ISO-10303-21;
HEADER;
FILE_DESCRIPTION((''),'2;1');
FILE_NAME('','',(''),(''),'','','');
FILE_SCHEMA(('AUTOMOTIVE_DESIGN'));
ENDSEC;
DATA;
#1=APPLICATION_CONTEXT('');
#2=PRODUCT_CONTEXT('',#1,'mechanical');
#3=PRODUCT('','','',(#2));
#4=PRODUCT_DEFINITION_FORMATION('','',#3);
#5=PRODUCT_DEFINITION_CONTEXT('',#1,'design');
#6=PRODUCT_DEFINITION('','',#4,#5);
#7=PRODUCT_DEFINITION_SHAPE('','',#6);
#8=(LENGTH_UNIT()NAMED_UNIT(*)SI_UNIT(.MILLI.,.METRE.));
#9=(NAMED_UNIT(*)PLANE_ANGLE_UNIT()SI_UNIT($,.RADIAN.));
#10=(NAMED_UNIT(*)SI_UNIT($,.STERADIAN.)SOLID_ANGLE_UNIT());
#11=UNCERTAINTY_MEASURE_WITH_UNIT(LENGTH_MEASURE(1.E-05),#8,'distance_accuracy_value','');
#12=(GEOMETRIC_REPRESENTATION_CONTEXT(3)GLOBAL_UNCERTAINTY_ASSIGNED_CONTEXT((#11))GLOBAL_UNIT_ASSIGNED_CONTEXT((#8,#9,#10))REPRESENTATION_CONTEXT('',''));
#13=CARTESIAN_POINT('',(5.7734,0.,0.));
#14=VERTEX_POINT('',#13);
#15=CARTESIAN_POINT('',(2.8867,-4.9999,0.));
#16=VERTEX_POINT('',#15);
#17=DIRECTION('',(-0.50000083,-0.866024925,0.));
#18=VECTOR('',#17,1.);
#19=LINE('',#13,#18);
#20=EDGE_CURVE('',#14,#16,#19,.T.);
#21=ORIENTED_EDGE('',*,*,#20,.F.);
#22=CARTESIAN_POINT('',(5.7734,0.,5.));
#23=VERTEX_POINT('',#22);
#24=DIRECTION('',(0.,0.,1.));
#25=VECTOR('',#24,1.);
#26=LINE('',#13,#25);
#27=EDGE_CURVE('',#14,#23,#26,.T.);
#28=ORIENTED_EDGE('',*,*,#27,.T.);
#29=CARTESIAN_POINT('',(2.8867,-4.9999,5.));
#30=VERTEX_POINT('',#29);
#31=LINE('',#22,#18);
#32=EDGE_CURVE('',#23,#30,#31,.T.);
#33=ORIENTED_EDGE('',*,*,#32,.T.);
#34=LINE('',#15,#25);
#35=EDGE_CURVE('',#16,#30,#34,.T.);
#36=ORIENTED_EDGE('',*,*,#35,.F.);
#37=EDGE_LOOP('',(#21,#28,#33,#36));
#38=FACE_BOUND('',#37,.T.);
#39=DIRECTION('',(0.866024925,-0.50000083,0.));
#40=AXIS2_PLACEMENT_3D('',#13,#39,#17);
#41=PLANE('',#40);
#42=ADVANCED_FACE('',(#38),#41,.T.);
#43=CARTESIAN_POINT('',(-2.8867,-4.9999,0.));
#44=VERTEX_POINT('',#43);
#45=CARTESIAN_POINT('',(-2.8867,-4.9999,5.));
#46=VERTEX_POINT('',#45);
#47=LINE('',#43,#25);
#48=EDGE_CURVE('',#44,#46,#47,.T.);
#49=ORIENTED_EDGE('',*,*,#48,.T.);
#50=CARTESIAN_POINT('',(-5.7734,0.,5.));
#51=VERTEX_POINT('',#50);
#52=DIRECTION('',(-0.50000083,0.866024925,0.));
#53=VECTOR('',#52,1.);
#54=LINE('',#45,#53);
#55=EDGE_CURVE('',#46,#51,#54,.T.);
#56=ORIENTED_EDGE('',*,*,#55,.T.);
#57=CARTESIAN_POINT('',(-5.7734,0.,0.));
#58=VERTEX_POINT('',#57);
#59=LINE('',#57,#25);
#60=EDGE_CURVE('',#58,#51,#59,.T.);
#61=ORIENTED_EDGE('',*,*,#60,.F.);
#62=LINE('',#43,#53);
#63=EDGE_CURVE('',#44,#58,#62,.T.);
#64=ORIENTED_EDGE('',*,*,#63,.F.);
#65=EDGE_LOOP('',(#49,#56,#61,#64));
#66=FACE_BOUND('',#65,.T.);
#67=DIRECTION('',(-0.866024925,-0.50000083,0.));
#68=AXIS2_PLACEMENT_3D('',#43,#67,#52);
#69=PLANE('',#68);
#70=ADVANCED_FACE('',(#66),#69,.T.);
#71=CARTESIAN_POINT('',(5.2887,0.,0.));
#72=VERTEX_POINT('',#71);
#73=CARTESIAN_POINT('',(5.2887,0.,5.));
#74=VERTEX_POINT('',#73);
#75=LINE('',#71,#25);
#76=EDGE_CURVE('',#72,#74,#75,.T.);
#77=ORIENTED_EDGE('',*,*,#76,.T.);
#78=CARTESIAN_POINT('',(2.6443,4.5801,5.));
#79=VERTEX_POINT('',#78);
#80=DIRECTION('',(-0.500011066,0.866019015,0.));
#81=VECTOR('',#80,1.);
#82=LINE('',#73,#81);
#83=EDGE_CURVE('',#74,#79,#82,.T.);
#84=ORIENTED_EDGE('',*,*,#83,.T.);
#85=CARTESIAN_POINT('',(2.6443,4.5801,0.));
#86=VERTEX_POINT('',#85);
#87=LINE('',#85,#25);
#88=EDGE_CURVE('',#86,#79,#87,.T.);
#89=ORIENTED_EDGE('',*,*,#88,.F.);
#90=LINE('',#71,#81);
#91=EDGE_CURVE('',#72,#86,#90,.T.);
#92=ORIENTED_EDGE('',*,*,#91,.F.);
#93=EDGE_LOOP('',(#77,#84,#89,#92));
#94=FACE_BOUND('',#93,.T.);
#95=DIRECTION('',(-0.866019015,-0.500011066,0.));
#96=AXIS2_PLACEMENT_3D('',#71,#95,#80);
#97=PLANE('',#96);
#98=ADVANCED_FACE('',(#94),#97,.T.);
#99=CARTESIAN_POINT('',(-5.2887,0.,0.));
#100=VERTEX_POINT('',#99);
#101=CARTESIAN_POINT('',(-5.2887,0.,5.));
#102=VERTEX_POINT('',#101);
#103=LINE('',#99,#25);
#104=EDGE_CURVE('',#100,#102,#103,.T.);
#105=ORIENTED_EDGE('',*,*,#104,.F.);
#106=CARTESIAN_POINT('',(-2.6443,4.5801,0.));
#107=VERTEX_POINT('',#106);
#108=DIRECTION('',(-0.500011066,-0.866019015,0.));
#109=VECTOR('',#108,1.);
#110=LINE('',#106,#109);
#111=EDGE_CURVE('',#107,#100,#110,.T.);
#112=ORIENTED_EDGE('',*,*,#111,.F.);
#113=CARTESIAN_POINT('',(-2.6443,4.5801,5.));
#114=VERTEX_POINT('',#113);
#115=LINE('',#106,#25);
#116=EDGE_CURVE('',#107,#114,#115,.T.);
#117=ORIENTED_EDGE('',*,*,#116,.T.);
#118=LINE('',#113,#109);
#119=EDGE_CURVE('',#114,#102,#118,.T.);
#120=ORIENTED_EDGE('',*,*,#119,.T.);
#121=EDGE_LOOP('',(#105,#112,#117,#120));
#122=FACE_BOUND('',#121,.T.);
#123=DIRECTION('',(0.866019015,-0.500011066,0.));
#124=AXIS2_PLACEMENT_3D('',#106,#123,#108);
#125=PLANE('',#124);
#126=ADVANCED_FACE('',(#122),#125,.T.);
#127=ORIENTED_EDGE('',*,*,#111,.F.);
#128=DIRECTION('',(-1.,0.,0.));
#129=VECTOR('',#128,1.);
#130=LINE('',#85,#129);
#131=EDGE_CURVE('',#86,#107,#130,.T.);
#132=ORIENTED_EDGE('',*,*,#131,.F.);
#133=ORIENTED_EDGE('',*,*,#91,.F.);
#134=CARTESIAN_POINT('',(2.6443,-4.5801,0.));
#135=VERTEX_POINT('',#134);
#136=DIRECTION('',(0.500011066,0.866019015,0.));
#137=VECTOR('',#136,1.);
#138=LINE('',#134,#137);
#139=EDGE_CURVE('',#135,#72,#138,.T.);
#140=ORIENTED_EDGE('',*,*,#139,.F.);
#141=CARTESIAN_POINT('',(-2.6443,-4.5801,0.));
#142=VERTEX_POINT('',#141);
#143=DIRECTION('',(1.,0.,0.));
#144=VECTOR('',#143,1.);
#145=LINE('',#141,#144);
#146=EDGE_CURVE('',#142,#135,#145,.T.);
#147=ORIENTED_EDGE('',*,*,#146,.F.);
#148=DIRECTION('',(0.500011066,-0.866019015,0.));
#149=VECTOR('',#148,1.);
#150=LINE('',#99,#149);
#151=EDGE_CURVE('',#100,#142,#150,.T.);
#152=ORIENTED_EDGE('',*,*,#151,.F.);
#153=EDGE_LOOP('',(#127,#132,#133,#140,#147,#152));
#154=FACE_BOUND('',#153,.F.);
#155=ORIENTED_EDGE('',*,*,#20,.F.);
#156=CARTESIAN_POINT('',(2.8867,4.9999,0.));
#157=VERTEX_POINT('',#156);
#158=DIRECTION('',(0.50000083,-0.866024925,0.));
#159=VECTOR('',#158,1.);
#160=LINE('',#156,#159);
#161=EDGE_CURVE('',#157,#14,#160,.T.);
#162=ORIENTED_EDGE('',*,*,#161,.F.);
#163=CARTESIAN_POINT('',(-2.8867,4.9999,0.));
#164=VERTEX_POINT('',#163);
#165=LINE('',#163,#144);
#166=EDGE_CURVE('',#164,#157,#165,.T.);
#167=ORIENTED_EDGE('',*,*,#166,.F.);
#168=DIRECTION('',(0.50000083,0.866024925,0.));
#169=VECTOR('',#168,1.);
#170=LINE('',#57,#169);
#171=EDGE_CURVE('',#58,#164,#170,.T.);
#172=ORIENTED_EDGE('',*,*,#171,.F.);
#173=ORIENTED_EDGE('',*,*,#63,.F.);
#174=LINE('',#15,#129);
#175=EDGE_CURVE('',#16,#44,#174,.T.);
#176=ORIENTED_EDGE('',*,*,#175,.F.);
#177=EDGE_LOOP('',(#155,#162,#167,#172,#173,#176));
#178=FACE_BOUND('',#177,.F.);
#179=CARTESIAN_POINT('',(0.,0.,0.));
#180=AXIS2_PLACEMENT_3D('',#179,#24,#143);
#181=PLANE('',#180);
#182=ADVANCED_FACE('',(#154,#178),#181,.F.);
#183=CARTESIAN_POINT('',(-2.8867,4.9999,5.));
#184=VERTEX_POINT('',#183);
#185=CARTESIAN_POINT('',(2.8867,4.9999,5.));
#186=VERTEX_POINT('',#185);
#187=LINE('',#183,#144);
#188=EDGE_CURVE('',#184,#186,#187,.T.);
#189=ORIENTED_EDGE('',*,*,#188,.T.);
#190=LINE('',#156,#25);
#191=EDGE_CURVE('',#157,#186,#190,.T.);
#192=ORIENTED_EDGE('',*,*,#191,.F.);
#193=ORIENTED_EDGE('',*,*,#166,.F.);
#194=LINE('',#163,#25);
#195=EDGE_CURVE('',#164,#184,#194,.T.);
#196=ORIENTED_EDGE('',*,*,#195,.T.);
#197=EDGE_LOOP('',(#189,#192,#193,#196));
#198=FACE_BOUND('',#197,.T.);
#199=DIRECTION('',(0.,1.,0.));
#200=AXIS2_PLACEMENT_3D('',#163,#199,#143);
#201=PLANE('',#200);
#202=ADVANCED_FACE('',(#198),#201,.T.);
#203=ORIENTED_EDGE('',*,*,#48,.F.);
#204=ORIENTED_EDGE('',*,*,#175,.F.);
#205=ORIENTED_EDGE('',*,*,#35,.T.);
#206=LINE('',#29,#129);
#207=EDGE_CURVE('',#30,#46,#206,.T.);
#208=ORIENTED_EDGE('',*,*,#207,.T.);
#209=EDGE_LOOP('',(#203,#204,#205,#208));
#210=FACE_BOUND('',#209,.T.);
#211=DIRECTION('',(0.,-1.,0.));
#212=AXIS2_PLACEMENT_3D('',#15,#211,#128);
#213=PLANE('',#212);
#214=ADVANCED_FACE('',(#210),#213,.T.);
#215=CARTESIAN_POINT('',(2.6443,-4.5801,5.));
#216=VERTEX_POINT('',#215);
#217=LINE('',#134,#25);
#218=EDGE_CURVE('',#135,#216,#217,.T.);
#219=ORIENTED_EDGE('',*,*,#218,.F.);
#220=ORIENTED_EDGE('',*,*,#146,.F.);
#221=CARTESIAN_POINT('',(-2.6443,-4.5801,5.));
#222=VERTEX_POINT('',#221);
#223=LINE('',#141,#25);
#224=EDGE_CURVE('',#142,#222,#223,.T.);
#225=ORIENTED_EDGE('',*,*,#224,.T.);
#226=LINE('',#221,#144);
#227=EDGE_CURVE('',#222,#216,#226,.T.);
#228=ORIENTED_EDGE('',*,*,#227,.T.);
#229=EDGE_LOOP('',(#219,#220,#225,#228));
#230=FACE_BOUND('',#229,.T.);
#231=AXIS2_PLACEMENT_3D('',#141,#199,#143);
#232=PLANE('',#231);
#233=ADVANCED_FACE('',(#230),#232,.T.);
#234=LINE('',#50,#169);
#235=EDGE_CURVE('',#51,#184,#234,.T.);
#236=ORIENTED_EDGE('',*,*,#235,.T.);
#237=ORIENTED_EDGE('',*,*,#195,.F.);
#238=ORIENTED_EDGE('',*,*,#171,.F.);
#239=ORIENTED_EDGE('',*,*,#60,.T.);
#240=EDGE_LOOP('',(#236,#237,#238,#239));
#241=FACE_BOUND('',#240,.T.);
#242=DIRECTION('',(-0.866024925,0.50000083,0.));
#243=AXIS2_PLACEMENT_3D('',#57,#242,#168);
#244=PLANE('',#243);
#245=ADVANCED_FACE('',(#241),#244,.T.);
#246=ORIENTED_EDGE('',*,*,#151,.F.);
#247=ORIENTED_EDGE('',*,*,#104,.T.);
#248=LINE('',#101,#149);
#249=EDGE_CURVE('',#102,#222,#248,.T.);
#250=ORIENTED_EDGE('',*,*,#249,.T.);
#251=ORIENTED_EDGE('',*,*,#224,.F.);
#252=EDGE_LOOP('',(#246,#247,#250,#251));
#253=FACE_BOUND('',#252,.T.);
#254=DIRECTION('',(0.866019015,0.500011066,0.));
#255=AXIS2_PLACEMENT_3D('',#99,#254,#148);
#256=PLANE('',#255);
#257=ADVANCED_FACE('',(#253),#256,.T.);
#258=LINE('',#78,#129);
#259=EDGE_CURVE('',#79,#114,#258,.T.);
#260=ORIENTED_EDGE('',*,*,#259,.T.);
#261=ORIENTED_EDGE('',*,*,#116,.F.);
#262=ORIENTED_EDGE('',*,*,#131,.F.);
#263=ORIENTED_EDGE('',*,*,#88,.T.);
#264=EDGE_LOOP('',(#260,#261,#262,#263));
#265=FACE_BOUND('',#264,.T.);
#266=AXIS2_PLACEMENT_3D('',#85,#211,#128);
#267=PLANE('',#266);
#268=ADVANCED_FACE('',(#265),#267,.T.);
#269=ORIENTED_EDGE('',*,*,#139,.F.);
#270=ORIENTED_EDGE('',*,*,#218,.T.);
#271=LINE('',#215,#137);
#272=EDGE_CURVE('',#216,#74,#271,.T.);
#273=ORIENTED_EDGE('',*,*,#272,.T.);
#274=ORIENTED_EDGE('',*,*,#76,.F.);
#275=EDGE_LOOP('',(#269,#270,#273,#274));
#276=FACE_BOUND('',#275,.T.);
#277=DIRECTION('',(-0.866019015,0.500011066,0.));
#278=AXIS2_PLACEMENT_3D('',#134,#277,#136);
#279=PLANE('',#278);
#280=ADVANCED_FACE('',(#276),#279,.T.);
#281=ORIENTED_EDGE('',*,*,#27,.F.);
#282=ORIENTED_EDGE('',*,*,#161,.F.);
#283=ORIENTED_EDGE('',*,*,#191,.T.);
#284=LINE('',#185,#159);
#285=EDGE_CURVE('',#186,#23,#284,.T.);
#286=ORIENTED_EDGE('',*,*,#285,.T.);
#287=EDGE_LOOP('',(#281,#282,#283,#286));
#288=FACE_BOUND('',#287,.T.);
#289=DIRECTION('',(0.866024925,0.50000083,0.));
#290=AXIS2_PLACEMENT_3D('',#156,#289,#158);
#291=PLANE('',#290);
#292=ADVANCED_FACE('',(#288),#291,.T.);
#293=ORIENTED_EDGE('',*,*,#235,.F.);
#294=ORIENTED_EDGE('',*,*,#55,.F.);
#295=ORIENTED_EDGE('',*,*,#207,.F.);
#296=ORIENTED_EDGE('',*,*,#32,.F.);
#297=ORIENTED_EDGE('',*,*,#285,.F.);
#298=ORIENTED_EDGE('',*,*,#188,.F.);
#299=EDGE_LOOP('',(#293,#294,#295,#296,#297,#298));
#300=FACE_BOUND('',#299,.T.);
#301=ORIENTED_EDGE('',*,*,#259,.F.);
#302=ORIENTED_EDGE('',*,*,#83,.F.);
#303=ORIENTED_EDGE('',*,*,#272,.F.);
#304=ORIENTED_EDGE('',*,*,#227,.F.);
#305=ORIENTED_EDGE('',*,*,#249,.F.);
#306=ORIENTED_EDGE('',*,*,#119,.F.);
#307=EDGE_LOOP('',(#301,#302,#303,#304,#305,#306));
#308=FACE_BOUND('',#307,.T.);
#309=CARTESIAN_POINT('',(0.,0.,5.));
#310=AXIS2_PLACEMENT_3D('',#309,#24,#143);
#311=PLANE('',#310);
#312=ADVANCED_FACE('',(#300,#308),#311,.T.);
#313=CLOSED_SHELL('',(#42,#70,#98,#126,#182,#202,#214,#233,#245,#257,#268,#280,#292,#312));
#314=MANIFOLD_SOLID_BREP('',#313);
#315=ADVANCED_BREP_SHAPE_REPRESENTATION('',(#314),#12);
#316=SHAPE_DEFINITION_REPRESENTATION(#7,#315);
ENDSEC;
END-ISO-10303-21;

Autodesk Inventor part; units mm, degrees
ref_plane "YZ Plane" through (0, 0, 0) normal (1, 0, 0) x (0, 1, 0)
ref_plane "XZ Plane" through (0, 0, 0) normal (0, 1, 0) x (-1, 0, 0)
ref_plane "XY Plane" through (0, 0, 0) normal (0, 0, 1) x (1, 0, 0)
sketch "Sketch1" plane through (0, 0, 0) normal (0, 0, 1) x (1, 0, 0)
  line L0 (0, 0) -> (17.0068, 0) construction
  line L1 (-2.6443, 4.5801) -> (-5.2887, 0)
  line L2 (-5.2887, 0) -> (-2.6443, -4.5801)
  line L3 (-2.6443, -4.5801) -> (2.6443, -4.5801)
  line L4 (2.6443, -4.5801) -> (5.2887, 0)
  line L5 (5.2887, 0) -> (2.6443, 4.5801)
  line L6 (2.6443, 4.5801) -> (-2.6443, 4.5801)
  line L7 (2.8867, 4.9999) -> (5.7734, 0)
  line L8 (5.7734, 0) -> (2.8867, -4.9999)
  line L9 (2.8867, -4.9999) -> (-2.8867, -4.9999)
  line L10 (-2.8867, -4.9999) -> (-5.7734, 0)
  line L11 (-5.7734, 0) -> (-2.8867, 4.9999)
  line L12 (-2.8867, 4.9999) -> (2.8867, 4.9999)
extrude "Extrusion1" add sketch "Sketch1" along normal blind 5
properties part number "tolerance_test"
